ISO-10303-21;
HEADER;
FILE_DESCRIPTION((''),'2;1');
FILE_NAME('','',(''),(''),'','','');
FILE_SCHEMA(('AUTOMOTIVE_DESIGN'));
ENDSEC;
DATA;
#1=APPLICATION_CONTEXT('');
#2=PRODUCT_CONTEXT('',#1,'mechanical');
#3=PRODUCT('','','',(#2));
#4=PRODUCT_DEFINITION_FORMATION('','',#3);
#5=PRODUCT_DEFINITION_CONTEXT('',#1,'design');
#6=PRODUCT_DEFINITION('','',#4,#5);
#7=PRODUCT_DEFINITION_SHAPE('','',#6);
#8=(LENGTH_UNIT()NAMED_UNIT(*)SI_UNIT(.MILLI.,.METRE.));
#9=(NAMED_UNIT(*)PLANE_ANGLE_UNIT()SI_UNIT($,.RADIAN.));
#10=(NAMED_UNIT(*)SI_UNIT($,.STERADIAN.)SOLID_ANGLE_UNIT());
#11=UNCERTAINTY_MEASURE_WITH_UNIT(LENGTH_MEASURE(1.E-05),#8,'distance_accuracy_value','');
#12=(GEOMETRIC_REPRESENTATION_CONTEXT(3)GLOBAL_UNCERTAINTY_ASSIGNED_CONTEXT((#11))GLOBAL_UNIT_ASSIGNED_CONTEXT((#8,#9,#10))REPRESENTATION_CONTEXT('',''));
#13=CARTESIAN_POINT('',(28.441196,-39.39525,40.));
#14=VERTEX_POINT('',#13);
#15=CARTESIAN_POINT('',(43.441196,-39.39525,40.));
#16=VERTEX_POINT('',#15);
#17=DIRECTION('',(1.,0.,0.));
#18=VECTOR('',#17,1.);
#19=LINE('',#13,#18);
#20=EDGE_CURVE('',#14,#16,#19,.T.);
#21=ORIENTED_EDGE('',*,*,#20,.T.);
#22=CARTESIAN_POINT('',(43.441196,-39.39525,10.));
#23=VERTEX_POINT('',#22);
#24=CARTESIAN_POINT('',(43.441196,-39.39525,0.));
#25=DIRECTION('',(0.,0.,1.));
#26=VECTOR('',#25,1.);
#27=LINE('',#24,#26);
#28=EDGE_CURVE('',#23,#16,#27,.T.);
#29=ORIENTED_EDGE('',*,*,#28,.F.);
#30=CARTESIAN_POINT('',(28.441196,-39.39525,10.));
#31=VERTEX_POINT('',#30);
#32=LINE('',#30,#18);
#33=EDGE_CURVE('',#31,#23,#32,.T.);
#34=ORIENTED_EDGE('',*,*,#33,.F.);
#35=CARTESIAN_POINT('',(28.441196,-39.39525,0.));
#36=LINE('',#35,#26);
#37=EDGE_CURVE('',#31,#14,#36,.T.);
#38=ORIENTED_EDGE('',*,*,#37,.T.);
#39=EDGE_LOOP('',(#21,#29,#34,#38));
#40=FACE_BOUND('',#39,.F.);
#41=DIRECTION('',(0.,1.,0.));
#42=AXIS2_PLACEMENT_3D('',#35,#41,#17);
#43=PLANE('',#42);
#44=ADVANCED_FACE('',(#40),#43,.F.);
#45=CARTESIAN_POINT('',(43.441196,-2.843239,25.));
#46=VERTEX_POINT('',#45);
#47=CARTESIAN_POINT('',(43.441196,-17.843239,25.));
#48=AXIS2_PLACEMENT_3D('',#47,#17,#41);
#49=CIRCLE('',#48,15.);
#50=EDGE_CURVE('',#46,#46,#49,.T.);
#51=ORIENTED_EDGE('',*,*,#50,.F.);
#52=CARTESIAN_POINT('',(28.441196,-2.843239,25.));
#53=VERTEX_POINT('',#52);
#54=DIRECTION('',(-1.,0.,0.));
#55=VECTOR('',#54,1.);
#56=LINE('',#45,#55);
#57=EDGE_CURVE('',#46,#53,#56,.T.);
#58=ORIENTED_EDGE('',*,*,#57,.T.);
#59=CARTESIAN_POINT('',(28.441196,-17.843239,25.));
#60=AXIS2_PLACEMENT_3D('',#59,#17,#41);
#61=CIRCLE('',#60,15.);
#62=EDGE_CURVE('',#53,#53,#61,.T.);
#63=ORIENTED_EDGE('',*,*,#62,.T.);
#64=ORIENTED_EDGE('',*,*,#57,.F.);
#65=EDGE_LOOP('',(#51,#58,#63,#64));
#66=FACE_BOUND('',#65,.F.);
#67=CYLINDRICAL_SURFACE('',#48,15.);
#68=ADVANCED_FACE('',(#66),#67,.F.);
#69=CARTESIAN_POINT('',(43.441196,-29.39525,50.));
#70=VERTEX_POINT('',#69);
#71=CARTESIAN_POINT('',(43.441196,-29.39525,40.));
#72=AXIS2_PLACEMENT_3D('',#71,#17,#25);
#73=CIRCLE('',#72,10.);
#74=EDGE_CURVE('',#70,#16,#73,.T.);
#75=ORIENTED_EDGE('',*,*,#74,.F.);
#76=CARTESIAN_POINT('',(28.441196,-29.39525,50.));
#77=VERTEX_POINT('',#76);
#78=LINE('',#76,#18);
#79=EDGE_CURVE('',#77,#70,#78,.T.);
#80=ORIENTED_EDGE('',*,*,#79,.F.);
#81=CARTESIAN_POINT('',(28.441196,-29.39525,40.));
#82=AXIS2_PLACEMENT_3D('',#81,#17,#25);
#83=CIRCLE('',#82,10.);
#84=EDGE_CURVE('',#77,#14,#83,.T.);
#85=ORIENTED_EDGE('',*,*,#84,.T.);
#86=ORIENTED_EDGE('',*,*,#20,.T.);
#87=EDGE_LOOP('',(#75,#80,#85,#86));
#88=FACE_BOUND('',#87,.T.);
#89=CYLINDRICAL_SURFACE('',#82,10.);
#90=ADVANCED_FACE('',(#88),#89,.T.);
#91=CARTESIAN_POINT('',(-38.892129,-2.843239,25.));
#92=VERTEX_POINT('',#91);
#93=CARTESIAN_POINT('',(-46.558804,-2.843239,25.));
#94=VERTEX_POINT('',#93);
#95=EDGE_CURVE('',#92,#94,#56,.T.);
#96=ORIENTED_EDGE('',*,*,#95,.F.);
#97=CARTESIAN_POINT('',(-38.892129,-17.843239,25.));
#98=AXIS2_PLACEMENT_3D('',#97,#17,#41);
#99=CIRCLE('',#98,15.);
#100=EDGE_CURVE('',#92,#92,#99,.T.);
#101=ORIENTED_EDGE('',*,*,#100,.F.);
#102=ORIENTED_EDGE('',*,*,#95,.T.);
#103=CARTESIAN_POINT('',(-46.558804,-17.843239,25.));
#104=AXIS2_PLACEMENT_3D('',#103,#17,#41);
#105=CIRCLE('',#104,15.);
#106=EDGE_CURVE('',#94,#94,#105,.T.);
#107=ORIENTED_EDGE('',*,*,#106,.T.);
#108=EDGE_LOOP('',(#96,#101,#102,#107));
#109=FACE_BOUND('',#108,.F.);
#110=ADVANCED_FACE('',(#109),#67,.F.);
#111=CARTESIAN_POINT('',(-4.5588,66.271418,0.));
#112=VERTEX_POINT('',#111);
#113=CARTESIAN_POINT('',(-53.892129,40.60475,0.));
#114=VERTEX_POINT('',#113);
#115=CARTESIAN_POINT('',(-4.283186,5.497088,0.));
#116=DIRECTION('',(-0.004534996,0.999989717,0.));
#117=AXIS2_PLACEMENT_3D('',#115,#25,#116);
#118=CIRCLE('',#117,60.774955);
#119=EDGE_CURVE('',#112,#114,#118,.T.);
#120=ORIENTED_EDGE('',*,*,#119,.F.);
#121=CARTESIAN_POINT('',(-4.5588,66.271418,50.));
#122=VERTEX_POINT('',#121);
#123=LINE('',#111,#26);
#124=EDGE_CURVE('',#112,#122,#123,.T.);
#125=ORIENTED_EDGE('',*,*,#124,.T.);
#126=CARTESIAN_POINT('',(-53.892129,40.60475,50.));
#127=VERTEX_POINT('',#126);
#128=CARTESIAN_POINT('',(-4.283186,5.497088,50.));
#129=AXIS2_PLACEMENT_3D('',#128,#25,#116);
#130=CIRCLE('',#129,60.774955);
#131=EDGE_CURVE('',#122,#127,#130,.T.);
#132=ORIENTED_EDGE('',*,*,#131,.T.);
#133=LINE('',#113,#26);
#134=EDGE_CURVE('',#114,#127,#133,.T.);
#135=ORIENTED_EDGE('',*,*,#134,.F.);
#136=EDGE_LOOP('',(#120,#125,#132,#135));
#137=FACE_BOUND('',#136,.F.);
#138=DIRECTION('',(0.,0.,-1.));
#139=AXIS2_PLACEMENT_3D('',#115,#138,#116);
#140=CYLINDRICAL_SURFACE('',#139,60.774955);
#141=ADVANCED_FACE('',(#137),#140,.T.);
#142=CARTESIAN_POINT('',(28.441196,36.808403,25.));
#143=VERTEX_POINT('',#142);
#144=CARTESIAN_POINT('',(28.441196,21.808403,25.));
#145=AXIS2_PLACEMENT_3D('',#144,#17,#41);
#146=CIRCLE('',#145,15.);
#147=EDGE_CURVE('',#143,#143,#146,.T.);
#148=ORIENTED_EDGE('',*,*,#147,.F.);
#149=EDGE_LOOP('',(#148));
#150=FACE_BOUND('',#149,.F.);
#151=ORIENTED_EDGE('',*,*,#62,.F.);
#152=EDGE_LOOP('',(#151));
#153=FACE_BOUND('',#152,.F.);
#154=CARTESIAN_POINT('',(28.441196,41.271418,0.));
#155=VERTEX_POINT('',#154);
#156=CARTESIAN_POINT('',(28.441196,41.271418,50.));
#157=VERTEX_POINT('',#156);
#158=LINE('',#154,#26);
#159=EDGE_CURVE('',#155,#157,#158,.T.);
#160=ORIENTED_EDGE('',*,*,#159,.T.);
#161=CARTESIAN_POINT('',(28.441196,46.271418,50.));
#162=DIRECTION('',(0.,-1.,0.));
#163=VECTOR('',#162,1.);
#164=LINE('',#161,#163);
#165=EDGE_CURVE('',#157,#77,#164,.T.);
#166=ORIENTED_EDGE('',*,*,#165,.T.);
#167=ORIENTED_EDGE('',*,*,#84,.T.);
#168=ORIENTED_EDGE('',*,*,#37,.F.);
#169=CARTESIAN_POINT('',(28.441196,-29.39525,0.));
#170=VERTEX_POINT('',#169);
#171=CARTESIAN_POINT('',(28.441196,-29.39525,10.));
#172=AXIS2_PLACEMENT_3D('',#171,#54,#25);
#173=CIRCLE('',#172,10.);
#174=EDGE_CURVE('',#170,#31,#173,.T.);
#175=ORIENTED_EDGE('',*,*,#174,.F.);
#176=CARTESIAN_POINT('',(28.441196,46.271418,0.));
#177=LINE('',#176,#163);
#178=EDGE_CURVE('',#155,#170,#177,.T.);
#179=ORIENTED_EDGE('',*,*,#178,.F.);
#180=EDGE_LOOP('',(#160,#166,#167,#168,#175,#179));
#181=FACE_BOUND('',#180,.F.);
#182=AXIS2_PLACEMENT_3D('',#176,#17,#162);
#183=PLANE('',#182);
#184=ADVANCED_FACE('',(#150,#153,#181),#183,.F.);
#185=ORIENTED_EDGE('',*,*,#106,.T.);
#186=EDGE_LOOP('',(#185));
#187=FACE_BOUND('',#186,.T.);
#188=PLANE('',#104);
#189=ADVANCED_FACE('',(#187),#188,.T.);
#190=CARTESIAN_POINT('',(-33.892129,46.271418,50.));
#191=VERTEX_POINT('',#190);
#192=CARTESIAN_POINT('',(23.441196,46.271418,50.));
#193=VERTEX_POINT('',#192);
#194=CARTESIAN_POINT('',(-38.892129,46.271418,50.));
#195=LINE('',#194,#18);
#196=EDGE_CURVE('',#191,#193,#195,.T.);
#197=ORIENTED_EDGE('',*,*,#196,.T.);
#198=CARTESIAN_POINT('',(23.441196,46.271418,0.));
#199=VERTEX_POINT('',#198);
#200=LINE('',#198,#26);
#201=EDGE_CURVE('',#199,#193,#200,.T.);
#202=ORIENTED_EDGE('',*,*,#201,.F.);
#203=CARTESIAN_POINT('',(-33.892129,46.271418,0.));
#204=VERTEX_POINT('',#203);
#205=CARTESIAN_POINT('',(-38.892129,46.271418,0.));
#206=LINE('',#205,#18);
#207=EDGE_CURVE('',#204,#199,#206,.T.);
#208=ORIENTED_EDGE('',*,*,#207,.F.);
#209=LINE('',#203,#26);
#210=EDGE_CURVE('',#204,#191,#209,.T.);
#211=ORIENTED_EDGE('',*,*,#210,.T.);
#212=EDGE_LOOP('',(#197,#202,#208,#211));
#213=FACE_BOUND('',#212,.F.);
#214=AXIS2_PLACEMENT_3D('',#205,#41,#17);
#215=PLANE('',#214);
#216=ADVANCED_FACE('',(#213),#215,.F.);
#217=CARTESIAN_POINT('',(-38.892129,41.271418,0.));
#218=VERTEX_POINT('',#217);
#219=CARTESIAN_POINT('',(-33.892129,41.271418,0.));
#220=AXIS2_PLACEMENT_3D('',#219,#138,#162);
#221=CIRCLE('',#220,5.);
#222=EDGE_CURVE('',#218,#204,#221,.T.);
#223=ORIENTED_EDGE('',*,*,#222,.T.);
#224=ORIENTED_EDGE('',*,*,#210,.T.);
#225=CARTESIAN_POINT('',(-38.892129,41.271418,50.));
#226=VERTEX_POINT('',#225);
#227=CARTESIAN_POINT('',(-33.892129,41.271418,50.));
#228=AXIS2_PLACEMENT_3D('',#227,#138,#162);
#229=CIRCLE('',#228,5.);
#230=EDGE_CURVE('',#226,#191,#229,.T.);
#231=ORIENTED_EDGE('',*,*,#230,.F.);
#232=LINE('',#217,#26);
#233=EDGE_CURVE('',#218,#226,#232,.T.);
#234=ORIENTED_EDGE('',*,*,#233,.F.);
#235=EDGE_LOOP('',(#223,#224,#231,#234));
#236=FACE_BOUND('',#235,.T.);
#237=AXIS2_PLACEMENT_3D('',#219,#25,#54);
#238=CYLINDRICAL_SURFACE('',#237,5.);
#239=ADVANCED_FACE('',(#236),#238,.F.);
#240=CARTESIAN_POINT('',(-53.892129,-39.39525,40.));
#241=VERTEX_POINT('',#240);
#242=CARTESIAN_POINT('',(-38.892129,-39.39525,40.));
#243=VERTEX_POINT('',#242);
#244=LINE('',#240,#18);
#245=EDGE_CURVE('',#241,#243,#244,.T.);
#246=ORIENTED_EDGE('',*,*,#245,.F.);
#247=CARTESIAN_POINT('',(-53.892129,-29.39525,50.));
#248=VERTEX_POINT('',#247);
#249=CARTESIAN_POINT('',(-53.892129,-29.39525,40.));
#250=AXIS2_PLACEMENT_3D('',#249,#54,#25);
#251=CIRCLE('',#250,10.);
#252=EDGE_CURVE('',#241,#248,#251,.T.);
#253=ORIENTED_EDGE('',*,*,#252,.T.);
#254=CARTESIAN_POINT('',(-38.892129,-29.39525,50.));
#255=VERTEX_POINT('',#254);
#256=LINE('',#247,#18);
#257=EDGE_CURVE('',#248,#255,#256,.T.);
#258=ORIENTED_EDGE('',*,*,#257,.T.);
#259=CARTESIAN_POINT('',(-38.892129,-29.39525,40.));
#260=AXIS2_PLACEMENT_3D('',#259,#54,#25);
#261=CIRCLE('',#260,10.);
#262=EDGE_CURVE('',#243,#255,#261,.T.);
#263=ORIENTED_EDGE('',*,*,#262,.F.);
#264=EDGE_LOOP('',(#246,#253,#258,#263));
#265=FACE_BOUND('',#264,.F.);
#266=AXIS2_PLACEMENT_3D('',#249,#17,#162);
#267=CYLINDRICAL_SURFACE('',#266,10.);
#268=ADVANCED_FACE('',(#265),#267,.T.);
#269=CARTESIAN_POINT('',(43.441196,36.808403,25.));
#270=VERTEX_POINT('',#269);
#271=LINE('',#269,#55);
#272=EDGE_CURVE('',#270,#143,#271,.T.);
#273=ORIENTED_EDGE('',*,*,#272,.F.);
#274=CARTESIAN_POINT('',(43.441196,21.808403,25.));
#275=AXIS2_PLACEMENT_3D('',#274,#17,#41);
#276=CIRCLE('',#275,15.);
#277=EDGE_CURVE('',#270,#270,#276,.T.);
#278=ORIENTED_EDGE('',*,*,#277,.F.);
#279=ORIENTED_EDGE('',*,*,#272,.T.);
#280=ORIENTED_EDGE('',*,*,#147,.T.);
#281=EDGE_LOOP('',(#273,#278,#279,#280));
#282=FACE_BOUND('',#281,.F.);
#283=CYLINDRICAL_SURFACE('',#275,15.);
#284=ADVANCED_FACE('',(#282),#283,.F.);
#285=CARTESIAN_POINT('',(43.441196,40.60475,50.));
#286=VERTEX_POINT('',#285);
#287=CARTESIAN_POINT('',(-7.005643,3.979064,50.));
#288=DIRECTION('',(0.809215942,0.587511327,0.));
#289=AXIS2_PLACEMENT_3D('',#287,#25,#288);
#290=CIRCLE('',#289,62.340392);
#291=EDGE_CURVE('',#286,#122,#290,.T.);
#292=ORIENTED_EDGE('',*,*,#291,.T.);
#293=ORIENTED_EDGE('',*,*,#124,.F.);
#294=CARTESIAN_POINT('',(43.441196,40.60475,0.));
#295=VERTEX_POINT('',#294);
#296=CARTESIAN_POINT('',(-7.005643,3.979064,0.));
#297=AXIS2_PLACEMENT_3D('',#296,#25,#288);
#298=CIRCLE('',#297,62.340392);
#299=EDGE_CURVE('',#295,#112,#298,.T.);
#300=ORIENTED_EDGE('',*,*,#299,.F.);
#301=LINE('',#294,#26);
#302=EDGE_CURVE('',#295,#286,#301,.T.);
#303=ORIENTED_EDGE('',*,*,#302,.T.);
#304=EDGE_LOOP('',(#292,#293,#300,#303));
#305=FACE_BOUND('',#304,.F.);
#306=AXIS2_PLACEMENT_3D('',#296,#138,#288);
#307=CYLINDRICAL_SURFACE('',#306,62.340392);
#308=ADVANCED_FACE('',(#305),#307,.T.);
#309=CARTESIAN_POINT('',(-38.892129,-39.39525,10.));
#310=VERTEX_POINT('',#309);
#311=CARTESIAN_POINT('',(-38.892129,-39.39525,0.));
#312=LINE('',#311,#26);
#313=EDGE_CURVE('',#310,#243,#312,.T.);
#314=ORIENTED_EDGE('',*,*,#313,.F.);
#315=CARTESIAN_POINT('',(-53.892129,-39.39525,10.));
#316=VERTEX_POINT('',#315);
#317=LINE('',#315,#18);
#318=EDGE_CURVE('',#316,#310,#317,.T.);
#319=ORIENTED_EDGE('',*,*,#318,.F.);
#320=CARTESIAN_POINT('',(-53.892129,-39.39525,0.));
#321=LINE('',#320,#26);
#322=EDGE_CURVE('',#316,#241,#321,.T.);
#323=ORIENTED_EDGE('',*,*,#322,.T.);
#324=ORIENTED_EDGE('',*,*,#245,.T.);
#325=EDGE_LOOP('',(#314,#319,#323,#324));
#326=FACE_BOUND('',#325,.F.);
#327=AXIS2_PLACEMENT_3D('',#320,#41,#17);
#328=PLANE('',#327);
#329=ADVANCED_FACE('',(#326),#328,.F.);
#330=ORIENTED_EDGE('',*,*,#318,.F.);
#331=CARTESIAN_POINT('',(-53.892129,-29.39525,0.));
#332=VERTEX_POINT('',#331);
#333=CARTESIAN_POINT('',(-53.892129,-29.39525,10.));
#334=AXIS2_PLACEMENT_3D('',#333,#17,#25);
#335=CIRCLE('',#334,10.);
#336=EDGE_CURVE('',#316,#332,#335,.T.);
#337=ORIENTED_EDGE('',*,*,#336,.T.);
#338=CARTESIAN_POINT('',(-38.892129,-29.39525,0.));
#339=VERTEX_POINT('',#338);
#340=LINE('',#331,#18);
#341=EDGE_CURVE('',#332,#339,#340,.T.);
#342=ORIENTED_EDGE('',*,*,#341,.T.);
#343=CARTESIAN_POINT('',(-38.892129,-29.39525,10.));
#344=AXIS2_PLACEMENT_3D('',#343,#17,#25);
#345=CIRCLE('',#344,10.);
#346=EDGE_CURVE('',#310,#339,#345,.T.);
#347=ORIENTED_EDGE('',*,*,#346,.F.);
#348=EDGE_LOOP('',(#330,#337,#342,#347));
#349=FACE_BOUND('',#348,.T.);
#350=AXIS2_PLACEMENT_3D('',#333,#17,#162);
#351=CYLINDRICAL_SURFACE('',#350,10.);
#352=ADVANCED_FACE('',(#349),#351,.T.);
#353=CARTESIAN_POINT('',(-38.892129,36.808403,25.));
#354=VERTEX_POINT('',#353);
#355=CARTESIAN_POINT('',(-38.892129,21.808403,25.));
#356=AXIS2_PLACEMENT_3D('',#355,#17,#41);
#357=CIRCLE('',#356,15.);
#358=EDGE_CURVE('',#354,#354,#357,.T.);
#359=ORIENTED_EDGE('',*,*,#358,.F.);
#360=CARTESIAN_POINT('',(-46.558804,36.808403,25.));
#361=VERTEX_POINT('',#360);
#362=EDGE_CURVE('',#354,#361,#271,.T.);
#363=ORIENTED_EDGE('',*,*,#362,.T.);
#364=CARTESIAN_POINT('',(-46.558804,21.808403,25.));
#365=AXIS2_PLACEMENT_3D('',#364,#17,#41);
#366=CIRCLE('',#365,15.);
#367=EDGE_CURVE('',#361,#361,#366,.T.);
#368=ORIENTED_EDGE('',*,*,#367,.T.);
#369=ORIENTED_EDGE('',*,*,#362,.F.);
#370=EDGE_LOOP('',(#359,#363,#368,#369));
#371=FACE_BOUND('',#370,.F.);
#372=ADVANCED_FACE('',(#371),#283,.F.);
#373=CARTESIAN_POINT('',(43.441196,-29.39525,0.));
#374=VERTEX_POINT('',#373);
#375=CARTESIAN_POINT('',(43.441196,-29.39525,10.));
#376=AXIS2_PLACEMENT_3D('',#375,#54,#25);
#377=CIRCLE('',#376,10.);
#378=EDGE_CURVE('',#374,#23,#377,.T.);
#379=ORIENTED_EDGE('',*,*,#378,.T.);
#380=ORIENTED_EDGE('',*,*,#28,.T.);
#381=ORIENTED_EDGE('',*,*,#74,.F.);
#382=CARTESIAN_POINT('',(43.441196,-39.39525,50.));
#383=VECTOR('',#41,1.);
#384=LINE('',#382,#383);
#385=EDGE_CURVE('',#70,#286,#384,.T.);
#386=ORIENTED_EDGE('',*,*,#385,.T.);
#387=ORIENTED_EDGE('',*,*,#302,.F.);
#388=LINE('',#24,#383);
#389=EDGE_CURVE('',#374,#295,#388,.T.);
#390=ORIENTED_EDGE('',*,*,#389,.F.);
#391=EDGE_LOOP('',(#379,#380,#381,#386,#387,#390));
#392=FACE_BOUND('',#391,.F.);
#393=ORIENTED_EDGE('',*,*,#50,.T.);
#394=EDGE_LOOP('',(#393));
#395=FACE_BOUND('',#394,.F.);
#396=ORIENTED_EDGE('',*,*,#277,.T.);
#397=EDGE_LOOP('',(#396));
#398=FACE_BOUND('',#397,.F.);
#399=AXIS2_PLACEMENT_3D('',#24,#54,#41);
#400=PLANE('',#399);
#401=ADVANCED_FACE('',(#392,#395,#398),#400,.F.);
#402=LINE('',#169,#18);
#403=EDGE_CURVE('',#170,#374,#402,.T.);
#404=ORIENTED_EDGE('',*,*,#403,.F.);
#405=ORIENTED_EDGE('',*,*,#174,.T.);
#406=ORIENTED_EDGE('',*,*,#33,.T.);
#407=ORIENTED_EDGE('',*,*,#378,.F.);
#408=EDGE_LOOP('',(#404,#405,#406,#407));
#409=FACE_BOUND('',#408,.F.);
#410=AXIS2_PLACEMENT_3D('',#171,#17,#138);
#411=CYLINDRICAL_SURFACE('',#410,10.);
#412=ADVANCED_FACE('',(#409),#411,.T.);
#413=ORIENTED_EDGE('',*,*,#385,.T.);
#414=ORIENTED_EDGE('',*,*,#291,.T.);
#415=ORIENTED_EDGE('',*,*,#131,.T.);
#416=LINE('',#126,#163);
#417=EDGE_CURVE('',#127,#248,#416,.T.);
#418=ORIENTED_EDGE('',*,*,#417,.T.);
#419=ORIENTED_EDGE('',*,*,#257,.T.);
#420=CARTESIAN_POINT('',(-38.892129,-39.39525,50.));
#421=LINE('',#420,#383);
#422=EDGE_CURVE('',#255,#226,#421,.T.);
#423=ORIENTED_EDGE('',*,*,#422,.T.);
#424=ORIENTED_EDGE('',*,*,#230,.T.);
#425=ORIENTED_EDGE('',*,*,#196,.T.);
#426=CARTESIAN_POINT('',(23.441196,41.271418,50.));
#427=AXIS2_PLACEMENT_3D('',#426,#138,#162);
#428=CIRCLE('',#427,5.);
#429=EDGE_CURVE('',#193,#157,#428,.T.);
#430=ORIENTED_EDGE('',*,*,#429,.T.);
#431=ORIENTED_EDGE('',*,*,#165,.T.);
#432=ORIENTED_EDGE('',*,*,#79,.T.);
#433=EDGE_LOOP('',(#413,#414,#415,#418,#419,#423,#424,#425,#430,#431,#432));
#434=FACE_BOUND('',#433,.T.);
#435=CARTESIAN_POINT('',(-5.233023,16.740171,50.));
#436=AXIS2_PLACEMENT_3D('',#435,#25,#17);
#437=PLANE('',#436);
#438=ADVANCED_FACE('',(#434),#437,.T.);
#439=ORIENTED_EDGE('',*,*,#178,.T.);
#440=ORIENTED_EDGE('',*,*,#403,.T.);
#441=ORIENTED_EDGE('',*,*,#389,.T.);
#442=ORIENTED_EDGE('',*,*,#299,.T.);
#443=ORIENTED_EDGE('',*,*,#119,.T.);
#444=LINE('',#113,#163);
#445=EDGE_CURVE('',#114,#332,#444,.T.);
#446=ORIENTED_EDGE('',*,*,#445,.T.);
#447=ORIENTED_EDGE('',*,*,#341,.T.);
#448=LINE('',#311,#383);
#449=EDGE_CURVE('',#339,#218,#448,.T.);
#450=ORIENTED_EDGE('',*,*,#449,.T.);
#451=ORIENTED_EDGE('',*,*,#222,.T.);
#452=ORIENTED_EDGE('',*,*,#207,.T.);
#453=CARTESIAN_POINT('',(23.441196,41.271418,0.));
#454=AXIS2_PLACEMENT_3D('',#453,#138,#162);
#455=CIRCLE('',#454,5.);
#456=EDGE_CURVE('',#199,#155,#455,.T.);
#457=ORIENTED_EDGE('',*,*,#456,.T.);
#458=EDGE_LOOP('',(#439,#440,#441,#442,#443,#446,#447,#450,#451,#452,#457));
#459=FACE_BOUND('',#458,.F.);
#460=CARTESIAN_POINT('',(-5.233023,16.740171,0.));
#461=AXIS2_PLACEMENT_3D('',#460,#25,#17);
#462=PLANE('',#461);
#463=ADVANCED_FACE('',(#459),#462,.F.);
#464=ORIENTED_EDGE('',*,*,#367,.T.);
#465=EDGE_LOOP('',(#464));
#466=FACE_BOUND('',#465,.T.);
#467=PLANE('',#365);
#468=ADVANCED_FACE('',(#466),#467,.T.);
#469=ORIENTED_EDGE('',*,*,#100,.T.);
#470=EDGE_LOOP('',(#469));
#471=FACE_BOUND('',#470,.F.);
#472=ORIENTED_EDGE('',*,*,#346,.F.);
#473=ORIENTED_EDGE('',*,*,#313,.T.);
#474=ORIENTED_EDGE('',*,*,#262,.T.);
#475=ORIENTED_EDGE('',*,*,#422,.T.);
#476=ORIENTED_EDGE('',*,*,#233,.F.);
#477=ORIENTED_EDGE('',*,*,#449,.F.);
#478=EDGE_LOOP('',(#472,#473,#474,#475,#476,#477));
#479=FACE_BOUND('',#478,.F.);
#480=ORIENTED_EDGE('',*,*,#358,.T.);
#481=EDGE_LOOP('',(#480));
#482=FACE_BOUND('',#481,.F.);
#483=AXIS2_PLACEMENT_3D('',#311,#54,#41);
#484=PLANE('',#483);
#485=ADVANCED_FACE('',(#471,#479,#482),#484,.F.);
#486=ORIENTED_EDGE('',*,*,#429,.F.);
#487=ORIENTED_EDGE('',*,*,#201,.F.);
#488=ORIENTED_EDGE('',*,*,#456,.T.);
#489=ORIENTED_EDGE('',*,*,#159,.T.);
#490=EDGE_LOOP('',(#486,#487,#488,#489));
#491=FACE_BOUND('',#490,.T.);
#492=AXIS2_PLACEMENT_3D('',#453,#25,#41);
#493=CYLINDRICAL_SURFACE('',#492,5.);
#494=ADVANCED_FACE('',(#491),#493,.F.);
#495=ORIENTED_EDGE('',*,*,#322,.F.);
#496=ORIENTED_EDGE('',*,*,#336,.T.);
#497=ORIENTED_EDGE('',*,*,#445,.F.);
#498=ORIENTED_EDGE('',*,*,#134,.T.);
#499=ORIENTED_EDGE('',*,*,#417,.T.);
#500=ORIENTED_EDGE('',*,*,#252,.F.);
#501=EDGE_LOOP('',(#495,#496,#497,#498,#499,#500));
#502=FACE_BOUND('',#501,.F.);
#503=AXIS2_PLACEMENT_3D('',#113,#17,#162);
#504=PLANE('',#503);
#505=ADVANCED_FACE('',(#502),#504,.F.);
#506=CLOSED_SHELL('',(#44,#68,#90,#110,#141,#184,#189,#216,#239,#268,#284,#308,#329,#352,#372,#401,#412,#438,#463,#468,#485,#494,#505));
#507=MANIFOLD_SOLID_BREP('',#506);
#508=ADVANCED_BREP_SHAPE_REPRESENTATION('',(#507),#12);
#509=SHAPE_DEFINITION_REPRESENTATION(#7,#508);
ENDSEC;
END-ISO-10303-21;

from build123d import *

# Parameters (mm, degrees)
F1_DEPTH = 50
F2_R     = 15
F3_DEPTH = 90
F4_R     = 10
F5_R     = 5


with BuildPart() as f1:
    # F0 (on Top) → F1 (new body)
    with BuildSketch(Plane.XY):
        with BuildLine():
            Line((-53.892129, 40.60475), (-53.892129, -39.39525))
            Line((-53.892129, -39.39525), (-38.892129, -39.39525))
            Line((-38.892129, -39.39525), (-38.892129, 46.271418))
            Line((-38.892129, 46.271418), (28.441196, 46.271418))
            Line((28.441196, 46.271418), (28.441196, -39.39525))
            Line((28.441196, -39.39525), (43.441196, -39.39525))
            Line((43.441196, -39.39525), (43.441196, 40.60475))
            ThreePointArc((43.441196, 40.60475), (22.390443, 58.953554), (-4.5588, 66.271418))
            ThreePointArc((-4.5588, 66.271418), (-32.33335, 59.411682), (-53.892129, 40.60475))
        make_face()
    extrude(amount=F1_DEPTH)

    # F2 (on face) → F3 (cut)
    with BuildSketch(Plane.YZ.offset(43.441196)):
        with Locations((-17.843239, 25)):
            Circle(F2_R)
        with Locations((21.808403, 25)):
            Circle(F2_R)
    extrude(amount=-F3_DEPTH, mode=Mode.SUBTRACT)

    # F4
    f4_edges = [f1.edges().sort_by_distance(p)[0] for p in [
        (-46.392129, -39.39525, 50),
        (-46.392129, -39.39525, 0),
        (35.941196, -39.39525, 50),
        (35.941196, -39.39525, 0),
    ]]
    fillet(f4_edges, radius=F4_R)

    # F5
    f5_edges = [f1.edges().sort_by_distance(p)[0] for p in [
        (28.441196, 46.271418, 25),
        (-38.892129, 46.271418, 25),
    ]]
    fillet(f5_edges, radius=F5_R)


solid = f1.part
